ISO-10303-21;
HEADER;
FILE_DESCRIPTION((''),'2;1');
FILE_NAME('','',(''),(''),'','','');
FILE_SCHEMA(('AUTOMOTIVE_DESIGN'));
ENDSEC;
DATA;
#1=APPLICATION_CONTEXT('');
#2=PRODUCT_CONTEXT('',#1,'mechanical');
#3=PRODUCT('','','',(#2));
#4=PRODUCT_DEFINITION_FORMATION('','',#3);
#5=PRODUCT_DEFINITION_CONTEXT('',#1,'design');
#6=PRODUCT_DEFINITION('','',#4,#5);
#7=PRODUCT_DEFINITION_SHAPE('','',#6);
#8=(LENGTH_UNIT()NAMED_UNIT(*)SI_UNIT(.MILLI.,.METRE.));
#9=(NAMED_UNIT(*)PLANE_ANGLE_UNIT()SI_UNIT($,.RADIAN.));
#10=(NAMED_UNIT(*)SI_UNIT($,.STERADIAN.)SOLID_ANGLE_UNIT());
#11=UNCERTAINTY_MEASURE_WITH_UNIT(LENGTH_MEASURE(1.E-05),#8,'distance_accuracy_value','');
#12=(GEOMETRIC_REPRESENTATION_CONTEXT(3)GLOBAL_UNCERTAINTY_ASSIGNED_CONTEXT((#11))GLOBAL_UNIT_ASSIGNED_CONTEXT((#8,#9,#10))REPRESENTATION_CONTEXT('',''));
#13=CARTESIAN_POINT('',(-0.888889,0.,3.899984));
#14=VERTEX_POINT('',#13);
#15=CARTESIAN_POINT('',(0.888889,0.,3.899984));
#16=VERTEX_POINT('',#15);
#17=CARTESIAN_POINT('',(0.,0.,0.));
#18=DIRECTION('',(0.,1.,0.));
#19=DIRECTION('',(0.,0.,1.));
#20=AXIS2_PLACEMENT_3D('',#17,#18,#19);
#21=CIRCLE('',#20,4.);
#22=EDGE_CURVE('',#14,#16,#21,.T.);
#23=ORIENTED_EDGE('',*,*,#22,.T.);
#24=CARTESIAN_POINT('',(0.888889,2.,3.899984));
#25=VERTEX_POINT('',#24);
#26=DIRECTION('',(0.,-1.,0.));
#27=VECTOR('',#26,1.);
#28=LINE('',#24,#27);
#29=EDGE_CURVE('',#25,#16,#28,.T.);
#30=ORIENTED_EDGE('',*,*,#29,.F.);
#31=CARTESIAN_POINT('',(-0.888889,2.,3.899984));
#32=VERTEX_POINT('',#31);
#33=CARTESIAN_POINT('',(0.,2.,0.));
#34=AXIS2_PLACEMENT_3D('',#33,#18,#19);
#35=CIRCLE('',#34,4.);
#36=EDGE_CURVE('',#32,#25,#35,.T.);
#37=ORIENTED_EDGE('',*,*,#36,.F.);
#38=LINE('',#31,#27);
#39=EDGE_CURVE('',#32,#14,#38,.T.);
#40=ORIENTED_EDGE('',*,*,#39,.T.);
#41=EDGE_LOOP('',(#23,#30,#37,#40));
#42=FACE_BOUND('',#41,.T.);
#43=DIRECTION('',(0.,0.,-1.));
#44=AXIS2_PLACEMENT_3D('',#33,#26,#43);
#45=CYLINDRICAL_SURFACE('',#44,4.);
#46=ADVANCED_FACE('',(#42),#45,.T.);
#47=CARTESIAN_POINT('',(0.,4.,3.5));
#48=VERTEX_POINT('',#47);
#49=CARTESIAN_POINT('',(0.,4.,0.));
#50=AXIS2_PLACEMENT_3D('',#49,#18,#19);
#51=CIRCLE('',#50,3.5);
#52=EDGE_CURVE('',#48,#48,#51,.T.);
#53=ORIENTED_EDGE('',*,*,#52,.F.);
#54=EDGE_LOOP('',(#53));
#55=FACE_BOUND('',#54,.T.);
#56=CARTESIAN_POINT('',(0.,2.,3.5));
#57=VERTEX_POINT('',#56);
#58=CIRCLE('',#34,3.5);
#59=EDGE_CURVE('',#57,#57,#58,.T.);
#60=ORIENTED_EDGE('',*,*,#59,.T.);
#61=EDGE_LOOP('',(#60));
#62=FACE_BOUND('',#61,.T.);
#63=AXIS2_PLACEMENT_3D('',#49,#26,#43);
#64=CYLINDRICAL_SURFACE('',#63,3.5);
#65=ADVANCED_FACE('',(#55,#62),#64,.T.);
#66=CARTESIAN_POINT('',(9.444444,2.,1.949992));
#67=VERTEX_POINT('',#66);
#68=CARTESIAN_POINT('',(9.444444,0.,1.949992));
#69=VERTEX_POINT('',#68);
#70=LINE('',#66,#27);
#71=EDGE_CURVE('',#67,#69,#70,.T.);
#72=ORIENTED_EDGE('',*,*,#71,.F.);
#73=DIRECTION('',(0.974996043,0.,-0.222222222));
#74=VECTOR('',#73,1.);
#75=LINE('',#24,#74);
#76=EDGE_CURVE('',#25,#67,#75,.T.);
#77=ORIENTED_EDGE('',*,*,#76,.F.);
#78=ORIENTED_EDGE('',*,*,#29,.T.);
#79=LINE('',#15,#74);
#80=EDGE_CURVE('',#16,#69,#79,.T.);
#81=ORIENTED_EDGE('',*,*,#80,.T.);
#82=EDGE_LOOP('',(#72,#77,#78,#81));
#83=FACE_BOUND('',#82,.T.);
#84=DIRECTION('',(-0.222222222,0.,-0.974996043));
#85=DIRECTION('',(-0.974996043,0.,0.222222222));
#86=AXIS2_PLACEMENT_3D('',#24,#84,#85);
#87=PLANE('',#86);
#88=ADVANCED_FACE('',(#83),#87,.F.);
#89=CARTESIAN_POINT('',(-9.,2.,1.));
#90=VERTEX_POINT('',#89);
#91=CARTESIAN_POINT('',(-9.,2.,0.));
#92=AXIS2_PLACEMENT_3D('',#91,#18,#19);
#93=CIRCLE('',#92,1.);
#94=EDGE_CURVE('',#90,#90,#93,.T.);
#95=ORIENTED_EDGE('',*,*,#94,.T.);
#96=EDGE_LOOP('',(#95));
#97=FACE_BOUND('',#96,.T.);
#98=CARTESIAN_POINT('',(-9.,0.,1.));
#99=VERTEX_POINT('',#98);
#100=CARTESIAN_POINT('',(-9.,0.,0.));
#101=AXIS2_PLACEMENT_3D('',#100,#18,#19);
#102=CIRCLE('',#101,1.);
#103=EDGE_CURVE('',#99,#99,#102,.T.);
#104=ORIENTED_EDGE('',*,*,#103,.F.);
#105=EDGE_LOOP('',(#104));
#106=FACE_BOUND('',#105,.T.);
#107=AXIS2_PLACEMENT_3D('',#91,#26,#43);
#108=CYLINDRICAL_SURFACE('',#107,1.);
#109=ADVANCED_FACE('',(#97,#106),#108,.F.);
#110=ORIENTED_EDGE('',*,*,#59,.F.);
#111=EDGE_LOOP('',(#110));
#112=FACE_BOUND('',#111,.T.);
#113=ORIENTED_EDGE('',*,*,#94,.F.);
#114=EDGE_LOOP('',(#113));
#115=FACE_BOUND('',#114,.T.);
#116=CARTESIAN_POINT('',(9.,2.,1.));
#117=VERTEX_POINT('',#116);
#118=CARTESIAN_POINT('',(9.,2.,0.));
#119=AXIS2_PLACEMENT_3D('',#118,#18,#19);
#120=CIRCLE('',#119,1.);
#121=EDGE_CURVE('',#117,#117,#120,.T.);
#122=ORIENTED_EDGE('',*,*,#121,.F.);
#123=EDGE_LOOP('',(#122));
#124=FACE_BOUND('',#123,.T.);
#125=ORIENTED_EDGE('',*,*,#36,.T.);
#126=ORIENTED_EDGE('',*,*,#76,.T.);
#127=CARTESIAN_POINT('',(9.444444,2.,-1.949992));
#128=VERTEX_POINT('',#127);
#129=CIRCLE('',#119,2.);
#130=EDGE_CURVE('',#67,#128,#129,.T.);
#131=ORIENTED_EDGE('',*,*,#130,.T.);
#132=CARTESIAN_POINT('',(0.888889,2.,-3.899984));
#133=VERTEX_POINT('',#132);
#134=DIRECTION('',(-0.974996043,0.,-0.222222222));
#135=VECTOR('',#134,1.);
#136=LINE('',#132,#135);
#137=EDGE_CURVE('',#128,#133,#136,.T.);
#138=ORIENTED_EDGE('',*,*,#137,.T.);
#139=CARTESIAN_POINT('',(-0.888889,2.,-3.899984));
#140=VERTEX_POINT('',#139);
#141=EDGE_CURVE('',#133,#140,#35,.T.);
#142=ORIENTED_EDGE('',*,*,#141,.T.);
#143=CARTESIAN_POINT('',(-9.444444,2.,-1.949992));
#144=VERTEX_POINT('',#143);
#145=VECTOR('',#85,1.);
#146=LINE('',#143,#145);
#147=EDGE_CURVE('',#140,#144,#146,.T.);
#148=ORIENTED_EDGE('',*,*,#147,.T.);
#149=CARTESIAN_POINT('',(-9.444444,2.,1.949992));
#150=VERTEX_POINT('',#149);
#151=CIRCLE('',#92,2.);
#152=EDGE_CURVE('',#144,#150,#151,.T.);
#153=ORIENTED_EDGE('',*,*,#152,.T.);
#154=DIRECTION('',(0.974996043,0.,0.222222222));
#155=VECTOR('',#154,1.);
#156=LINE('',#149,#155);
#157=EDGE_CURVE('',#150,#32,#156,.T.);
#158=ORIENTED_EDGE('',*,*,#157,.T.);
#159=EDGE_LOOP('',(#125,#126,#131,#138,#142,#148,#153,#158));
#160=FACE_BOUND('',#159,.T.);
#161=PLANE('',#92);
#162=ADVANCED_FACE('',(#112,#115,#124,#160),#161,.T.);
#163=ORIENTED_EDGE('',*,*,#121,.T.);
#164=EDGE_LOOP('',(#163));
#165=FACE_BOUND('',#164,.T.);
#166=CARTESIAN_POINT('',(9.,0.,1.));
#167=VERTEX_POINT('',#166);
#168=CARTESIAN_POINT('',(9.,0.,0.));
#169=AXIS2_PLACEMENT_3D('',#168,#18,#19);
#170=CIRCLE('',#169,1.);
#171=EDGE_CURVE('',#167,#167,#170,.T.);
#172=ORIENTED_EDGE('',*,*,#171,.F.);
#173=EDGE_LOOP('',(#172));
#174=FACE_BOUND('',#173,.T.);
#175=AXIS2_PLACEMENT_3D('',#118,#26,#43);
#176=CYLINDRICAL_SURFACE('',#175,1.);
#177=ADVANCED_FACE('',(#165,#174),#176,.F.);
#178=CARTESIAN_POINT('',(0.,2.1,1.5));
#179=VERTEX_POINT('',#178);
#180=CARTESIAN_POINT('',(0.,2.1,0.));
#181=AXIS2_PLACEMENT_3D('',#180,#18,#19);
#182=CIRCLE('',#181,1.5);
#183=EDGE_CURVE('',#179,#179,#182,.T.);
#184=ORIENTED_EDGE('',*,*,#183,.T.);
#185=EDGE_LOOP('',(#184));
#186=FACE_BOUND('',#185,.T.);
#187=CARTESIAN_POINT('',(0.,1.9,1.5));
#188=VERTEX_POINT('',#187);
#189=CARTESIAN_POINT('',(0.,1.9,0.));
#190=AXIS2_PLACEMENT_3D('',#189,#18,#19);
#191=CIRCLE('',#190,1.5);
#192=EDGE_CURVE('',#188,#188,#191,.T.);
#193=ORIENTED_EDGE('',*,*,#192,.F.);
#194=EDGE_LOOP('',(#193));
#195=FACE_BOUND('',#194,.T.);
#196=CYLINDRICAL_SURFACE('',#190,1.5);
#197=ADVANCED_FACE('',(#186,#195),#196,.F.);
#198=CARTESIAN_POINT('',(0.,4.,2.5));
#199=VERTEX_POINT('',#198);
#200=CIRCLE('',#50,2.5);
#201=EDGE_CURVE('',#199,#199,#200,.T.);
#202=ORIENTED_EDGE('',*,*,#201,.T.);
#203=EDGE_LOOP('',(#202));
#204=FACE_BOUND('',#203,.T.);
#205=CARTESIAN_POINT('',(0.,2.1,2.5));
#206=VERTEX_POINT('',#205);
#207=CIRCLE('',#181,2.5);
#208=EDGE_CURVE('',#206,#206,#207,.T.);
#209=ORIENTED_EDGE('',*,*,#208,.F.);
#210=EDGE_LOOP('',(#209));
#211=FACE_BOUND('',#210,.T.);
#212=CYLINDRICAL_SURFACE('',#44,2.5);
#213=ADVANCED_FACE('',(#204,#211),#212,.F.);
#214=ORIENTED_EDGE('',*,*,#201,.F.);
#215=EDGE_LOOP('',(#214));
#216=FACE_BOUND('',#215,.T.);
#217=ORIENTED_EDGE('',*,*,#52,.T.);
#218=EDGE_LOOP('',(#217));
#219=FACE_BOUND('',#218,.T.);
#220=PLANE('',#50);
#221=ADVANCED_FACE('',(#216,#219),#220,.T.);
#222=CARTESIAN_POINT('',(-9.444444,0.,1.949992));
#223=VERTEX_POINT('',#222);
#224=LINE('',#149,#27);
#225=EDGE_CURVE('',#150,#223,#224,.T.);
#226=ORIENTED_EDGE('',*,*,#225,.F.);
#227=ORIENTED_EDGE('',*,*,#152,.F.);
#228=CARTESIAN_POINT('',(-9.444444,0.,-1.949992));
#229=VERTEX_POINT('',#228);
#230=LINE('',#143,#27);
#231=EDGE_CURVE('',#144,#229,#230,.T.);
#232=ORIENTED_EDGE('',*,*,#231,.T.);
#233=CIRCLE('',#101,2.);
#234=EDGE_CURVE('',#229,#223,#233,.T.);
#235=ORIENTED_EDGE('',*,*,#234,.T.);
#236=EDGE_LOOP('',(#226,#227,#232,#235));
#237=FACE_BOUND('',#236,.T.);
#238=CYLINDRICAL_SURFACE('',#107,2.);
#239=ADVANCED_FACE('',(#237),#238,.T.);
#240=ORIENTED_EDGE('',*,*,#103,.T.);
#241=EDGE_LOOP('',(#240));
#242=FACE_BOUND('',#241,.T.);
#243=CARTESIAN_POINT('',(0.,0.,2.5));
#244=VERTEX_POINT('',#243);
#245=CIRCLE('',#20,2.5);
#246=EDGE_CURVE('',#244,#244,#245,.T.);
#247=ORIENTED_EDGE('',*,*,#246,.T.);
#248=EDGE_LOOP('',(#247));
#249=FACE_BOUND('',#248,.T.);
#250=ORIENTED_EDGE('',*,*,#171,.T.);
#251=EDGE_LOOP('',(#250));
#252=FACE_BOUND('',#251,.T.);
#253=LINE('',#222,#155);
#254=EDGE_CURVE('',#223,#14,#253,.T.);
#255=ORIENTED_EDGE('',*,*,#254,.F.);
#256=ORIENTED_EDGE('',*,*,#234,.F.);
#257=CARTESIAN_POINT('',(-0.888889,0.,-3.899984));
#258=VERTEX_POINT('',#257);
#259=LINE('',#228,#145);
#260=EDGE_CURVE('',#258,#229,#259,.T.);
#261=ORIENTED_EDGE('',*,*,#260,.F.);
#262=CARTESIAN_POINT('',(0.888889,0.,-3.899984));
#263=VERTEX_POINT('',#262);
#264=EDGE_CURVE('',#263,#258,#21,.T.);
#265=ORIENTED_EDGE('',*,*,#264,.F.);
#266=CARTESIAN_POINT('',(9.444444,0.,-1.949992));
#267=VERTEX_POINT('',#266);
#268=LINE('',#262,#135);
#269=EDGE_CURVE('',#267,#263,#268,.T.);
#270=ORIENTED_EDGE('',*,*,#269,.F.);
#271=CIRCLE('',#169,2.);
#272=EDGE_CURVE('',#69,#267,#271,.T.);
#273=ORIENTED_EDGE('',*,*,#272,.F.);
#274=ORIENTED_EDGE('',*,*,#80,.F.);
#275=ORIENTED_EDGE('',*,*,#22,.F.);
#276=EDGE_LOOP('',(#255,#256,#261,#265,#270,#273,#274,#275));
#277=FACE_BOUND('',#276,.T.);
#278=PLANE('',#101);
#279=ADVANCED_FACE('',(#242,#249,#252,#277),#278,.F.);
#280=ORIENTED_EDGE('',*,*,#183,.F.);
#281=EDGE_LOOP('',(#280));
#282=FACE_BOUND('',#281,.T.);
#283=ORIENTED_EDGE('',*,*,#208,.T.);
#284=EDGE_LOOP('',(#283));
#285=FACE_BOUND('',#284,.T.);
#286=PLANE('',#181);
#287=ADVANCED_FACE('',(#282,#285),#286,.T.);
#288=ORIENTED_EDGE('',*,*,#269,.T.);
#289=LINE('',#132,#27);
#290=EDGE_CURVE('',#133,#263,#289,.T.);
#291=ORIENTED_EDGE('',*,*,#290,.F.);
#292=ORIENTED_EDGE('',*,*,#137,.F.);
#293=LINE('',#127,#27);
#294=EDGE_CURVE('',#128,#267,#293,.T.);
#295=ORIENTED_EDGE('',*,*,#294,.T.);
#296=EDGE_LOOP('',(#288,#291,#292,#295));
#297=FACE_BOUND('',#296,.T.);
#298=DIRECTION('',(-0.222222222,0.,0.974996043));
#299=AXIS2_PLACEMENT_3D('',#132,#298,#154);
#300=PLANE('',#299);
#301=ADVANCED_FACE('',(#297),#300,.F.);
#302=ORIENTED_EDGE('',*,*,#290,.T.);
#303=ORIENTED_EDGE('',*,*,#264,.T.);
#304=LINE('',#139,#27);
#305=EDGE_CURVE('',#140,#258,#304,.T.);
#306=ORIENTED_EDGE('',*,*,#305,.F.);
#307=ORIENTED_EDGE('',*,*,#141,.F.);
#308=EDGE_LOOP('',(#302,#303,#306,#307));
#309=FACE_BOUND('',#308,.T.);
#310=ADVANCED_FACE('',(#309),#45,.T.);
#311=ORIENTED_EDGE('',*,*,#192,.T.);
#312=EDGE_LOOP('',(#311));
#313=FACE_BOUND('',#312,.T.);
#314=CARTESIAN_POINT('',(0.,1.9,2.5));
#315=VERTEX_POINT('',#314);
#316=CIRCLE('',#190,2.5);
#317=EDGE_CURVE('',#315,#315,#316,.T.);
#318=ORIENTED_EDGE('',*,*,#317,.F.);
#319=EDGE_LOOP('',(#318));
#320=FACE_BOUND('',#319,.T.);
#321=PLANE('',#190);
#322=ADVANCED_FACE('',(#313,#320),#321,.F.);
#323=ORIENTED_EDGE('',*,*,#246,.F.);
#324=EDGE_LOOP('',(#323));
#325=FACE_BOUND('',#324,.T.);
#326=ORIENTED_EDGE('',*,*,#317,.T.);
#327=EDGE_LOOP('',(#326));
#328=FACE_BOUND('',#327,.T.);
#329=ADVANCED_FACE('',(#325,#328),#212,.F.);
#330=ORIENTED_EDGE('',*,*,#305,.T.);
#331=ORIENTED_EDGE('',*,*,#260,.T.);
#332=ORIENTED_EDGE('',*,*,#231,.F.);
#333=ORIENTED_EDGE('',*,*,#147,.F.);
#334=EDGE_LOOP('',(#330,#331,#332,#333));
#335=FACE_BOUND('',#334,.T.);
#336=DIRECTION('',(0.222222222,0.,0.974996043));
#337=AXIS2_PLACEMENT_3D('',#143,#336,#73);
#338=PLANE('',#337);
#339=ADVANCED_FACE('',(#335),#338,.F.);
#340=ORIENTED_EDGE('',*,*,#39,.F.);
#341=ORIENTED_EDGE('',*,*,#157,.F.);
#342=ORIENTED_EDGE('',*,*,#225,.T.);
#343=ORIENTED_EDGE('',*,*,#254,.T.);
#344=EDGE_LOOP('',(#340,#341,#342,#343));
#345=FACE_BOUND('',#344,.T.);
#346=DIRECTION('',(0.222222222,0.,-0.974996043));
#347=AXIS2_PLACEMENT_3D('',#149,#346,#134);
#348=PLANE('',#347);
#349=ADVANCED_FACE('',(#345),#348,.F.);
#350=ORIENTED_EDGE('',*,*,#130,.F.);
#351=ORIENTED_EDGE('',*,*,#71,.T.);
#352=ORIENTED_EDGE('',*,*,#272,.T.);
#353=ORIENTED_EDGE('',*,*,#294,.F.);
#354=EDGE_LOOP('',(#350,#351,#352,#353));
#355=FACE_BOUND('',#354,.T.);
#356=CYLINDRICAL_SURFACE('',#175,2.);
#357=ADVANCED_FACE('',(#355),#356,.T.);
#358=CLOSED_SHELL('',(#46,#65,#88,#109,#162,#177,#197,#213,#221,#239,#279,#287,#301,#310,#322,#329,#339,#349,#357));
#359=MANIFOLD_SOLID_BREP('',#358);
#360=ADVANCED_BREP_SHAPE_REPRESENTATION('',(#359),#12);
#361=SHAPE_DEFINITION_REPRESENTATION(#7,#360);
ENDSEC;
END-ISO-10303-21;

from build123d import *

# Parameters (mm, degrees)
SKETCH_1_R           = 2.5
SKETCH_1_R_2         = 1
EXTRUDE_1_DEPTH      = 2
SKETCH_2_R           = 3.5
SKETCH_2_R_2         = 2.5
EXTRUDE_2_DEPTH      = 2
EXTRUDE_3_DEPTH      = 0.1
EXTRUDE_3_DEPTH_BACK = 0.1
SKETCH_3_R           = 2.5
SKETCH_3_R_2         = 1.5


with BuildPart() as part:
    # 草圖1 → 填料-伸長1 (new body)
    with BuildSketch(Plane(origin=(0, 0, 0), x_dir=(1, 0, 0), z_dir=(0, 1, 0))):
        with BuildLine():
            Line((-9.444444444, 1.949992086), (-0.888888889, 3.899984172))
            ThreePointArc((-0.888888889, 3.899984172), (0, 4), (0.888888889, 3.899984172))
            Line((0.888888889, 3.899984172), (9.444444444, 1.949992086))
            ThreePointArc((9.444444444, 1.949992086), (11, 0), (9.444444444, -1.949992086))
            Line((9.444444444, -1.949992086), (0.888888889, -3.899984172))
            ThreePointArc((0.888888889, -3.899984172), (0, -4), (-0.888888889, -3.899984172))
            Line((-0.888888889, -3.899984172), (-9.444444444, -1.949992086))
            ThreePointArc((-9.444444444, -1.949992086), (-11, 0), (-9.444444444, 1.949992086))
        make_face()
        with Locations(Location((0, 0, 0), (0, 0, 270))):
            Circle(SKETCH_1_R, mode=Mode.SUBTRACT)
        with Locations(Location((-9, 0, 0), (0, 0, 270))):
            Circle(SKETCH_1_R_2, mode=Mode.SUBTRACT)
        with Locations(Location((9, 0, 0), (0, 0, 270))):
            Circle(SKETCH_1_R_2, mode=Mode.SUBTRACT)
    extrude(amount=EXTRUDE_1_DEPTH)

    # 草圖2 → 填料-伸長2 (add)
    with BuildSketch(Plane(origin=(0, 2, 0), x_dir=(1, 0, 0), z_dir=(0, 1, 0))):
        with Locations(Location((0, 0, 0), (0, 0, 270))):
            Circle(SKETCH_2_R)
        with Locations(Location((0, 0, 0), (0, 0, 270))):
            Circle(SKETCH_2_R_2, mode=Mode.SUBTRACT)
    extrude(amount=EXTRUDE_2_DEPTH)

    # 草圖3 → 填料-伸長3 (add, two sides: drawn at the far end of the back side and taken through both)
    with BuildSketch(Plane(origin=(0, 2, 0), x_dir=(1, 0, 0), z_dir=(0, 1, 0)).offset(-EXTRUDE_3_DEPTH_BACK)):
        with Locations(Location((0, 0, 0), (0, 0, 270))):
            Circle(SKETCH_3_R)
        with Locations(Location((0, 0, 0), (0, 0, 270))):
            Circle(SKETCH_3_R_2, mode=Mode.SUBTRACT)
    extrude(amount=EXTRUDE_3_DEPTH + EXTRUDE_3_DEPTH_BACK)


solid = part.part
